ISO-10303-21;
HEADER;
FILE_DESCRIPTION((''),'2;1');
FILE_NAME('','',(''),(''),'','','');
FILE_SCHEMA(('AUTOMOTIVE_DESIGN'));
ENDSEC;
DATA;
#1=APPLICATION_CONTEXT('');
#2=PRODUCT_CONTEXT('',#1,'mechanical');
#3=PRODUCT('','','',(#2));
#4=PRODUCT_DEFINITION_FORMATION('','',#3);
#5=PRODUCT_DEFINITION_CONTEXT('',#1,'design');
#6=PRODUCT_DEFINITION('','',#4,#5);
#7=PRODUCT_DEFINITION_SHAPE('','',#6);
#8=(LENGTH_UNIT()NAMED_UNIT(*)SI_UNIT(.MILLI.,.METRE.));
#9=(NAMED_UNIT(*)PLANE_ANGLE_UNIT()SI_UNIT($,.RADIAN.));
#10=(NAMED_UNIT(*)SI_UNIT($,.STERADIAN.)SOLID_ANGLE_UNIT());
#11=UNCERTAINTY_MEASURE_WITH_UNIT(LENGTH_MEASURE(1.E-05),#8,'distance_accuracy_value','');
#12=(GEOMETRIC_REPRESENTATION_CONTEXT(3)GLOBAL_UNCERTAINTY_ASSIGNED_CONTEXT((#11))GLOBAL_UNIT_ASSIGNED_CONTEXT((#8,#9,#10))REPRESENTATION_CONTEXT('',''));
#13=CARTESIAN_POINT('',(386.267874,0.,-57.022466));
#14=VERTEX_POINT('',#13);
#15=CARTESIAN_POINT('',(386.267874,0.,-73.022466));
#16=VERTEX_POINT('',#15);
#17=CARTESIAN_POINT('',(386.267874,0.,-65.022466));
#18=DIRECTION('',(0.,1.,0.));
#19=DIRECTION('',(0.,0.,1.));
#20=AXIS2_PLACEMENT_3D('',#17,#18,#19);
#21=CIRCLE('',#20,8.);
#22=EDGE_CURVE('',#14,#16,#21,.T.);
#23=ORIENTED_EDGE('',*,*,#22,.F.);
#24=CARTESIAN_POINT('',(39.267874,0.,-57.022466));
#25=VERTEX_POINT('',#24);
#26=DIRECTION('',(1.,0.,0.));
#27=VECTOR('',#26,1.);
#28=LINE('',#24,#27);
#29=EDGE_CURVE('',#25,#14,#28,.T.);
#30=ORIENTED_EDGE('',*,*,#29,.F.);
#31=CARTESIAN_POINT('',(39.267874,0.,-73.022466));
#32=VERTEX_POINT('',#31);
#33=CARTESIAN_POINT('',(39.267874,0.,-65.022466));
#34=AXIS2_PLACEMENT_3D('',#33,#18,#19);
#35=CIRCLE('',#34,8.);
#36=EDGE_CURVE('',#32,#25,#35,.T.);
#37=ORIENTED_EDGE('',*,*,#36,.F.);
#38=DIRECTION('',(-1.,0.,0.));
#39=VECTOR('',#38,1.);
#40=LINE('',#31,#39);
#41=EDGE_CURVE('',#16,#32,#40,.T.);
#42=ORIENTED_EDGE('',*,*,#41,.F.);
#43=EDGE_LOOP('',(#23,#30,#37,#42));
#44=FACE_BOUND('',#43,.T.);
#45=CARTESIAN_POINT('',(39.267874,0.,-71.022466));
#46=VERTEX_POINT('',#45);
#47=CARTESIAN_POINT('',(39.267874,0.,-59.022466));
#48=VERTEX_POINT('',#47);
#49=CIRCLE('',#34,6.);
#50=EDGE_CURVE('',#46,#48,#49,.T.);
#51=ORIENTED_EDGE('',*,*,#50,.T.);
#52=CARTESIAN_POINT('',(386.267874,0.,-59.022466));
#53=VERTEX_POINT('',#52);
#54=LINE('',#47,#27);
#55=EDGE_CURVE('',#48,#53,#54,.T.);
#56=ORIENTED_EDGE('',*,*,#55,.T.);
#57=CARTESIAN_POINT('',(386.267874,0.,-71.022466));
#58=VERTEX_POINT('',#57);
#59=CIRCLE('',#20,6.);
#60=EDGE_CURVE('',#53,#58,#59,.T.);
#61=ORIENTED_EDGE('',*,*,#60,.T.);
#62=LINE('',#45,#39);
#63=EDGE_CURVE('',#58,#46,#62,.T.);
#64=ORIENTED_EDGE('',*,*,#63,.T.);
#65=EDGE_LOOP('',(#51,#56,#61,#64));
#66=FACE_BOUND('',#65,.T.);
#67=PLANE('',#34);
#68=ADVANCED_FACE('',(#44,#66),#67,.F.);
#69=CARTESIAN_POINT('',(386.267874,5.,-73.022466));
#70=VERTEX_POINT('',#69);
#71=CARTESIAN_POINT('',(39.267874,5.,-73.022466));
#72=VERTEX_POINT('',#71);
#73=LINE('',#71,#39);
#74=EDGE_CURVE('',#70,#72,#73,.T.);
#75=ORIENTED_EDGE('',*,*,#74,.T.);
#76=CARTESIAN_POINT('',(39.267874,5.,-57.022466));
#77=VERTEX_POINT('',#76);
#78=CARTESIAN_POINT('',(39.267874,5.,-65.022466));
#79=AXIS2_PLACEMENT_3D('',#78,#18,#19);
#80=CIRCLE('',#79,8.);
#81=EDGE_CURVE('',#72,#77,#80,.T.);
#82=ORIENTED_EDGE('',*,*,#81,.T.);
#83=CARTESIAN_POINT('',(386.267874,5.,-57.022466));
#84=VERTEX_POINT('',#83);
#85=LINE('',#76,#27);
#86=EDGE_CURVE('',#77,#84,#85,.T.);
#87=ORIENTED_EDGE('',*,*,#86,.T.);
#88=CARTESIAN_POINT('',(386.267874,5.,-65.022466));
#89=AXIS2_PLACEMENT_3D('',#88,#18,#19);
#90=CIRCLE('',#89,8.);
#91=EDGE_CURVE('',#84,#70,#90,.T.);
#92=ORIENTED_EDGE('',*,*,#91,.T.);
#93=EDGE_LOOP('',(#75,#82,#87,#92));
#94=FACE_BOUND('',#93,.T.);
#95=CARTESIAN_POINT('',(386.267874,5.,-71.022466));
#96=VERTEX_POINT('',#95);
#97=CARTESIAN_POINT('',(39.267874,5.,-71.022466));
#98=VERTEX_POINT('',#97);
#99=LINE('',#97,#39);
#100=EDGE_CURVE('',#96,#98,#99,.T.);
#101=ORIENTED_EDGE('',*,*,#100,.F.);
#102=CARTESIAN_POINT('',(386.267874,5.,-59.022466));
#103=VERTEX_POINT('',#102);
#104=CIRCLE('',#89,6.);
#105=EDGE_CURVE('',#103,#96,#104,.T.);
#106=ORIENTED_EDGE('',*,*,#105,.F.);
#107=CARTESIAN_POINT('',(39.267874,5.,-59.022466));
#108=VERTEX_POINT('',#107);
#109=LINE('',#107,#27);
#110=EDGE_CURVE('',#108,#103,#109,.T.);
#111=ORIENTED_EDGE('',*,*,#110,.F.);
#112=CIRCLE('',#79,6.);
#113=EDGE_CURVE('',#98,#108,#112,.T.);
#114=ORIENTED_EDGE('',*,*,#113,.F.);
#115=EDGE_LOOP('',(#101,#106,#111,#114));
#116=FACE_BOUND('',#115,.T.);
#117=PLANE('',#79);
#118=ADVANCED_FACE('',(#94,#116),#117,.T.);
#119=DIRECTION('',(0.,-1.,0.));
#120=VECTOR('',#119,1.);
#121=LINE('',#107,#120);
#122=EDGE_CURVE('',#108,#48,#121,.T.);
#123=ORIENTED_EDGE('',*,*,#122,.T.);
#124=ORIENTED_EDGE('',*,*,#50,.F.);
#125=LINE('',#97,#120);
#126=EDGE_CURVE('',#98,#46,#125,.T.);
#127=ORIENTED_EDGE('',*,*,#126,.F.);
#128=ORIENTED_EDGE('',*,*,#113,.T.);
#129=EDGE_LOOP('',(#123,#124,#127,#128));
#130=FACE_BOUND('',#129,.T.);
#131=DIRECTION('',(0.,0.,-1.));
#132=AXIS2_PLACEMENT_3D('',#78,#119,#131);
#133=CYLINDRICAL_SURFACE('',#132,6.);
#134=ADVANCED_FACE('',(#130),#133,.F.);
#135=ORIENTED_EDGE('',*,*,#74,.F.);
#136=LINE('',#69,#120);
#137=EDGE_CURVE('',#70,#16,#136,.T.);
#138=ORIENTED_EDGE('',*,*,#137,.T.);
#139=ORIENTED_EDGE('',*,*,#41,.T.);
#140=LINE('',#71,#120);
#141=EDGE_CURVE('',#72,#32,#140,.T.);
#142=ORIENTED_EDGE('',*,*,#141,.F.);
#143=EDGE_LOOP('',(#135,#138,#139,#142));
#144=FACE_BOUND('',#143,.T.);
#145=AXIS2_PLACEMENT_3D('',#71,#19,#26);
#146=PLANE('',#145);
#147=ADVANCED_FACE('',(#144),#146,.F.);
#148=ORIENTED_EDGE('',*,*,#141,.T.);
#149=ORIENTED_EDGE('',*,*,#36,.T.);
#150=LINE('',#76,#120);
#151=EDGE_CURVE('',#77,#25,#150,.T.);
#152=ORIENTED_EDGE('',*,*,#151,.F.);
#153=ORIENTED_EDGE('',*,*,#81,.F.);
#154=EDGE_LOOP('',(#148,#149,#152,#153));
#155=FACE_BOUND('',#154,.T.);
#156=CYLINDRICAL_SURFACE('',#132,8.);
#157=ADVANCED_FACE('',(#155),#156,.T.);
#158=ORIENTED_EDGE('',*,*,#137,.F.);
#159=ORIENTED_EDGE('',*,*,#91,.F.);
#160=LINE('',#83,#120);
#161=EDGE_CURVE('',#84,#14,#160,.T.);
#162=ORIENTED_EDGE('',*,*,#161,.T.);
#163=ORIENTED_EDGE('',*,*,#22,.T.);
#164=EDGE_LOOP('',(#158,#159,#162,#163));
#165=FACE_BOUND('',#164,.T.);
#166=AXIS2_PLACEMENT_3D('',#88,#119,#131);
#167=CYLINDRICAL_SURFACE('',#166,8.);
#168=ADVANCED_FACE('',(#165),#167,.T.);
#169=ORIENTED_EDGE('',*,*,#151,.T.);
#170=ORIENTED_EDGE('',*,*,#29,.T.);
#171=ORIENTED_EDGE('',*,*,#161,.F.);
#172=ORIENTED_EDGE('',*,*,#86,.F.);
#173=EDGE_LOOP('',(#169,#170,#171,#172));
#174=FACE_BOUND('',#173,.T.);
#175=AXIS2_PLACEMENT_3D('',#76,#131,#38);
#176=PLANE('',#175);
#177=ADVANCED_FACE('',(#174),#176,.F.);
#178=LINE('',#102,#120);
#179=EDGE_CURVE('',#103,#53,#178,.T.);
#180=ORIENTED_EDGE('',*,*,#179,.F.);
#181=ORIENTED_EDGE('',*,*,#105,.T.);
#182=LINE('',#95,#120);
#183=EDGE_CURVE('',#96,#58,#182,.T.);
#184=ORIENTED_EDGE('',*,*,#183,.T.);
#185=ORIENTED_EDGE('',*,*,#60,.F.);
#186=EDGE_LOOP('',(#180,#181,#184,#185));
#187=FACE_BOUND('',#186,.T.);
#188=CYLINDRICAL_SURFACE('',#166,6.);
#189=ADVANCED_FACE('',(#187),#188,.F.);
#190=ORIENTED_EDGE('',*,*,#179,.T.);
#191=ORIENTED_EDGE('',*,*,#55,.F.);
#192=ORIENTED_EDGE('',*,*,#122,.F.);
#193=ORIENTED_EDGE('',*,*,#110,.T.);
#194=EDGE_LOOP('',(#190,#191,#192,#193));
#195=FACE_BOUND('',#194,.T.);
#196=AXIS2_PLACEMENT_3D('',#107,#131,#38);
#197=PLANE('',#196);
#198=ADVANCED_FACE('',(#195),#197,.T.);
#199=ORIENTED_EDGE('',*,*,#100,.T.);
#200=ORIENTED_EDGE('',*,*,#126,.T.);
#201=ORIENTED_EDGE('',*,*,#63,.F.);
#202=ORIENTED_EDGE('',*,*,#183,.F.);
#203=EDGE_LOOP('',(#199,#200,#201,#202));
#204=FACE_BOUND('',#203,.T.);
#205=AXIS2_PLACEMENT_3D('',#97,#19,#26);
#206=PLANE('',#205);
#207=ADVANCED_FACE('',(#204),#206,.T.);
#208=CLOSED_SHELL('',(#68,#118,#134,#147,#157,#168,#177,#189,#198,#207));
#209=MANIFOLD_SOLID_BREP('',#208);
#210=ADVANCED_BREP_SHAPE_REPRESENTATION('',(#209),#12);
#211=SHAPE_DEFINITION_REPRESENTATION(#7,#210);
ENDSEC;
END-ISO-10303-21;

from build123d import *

# Parameters (mm, degrees)
BOSS_EXTRUDE1_DEPTH = 5


with BuildPart() as part:
    # Sketch2 → Boss-Extrude1 (new body)
    with BuildSketch(Plane(origin=(0, 0, 0), x_dir=(1, 0, 0), z_dir=(0, 1, 0))):
        with BuildLine():
            Line((39.267874126, 73.022465677), (386.267874126, 73.022465677))
            ThreePointArc((386.267874126, 73.022465677), (394.267874126, 65.022465677), (386.267874126, 57.022465677))
            Line((386.267874126, 57.022465677), (39.267874126, 57.022465677))
            ThreePointArc((39.267874126, 57.022465677), (31.267874126, 65.022465677), (39.267874126, 73.022465677))
        make_face()
        with BuildLine():
            Line((39.267874126, 71.022465677), (386.267874126, 71.022465677))
            ThreePointArc((386.267874126, 71.022465677), (392.267874126, 65.022465677), (386.267874126, 59.022465677))
            Line((386.267874126, 59.022465677), (39.267874126, 59.022465677))
            ThreePointArc((39.267874126, 59.022465677), (33.267874126, 65.022465677), (39.267874126, 71.022465677))
        make_face(mode=Mode.SUBTRACT)
    extrude(amount=BOSS_EXTRUDE1_DEPTH)


solid = part.part
